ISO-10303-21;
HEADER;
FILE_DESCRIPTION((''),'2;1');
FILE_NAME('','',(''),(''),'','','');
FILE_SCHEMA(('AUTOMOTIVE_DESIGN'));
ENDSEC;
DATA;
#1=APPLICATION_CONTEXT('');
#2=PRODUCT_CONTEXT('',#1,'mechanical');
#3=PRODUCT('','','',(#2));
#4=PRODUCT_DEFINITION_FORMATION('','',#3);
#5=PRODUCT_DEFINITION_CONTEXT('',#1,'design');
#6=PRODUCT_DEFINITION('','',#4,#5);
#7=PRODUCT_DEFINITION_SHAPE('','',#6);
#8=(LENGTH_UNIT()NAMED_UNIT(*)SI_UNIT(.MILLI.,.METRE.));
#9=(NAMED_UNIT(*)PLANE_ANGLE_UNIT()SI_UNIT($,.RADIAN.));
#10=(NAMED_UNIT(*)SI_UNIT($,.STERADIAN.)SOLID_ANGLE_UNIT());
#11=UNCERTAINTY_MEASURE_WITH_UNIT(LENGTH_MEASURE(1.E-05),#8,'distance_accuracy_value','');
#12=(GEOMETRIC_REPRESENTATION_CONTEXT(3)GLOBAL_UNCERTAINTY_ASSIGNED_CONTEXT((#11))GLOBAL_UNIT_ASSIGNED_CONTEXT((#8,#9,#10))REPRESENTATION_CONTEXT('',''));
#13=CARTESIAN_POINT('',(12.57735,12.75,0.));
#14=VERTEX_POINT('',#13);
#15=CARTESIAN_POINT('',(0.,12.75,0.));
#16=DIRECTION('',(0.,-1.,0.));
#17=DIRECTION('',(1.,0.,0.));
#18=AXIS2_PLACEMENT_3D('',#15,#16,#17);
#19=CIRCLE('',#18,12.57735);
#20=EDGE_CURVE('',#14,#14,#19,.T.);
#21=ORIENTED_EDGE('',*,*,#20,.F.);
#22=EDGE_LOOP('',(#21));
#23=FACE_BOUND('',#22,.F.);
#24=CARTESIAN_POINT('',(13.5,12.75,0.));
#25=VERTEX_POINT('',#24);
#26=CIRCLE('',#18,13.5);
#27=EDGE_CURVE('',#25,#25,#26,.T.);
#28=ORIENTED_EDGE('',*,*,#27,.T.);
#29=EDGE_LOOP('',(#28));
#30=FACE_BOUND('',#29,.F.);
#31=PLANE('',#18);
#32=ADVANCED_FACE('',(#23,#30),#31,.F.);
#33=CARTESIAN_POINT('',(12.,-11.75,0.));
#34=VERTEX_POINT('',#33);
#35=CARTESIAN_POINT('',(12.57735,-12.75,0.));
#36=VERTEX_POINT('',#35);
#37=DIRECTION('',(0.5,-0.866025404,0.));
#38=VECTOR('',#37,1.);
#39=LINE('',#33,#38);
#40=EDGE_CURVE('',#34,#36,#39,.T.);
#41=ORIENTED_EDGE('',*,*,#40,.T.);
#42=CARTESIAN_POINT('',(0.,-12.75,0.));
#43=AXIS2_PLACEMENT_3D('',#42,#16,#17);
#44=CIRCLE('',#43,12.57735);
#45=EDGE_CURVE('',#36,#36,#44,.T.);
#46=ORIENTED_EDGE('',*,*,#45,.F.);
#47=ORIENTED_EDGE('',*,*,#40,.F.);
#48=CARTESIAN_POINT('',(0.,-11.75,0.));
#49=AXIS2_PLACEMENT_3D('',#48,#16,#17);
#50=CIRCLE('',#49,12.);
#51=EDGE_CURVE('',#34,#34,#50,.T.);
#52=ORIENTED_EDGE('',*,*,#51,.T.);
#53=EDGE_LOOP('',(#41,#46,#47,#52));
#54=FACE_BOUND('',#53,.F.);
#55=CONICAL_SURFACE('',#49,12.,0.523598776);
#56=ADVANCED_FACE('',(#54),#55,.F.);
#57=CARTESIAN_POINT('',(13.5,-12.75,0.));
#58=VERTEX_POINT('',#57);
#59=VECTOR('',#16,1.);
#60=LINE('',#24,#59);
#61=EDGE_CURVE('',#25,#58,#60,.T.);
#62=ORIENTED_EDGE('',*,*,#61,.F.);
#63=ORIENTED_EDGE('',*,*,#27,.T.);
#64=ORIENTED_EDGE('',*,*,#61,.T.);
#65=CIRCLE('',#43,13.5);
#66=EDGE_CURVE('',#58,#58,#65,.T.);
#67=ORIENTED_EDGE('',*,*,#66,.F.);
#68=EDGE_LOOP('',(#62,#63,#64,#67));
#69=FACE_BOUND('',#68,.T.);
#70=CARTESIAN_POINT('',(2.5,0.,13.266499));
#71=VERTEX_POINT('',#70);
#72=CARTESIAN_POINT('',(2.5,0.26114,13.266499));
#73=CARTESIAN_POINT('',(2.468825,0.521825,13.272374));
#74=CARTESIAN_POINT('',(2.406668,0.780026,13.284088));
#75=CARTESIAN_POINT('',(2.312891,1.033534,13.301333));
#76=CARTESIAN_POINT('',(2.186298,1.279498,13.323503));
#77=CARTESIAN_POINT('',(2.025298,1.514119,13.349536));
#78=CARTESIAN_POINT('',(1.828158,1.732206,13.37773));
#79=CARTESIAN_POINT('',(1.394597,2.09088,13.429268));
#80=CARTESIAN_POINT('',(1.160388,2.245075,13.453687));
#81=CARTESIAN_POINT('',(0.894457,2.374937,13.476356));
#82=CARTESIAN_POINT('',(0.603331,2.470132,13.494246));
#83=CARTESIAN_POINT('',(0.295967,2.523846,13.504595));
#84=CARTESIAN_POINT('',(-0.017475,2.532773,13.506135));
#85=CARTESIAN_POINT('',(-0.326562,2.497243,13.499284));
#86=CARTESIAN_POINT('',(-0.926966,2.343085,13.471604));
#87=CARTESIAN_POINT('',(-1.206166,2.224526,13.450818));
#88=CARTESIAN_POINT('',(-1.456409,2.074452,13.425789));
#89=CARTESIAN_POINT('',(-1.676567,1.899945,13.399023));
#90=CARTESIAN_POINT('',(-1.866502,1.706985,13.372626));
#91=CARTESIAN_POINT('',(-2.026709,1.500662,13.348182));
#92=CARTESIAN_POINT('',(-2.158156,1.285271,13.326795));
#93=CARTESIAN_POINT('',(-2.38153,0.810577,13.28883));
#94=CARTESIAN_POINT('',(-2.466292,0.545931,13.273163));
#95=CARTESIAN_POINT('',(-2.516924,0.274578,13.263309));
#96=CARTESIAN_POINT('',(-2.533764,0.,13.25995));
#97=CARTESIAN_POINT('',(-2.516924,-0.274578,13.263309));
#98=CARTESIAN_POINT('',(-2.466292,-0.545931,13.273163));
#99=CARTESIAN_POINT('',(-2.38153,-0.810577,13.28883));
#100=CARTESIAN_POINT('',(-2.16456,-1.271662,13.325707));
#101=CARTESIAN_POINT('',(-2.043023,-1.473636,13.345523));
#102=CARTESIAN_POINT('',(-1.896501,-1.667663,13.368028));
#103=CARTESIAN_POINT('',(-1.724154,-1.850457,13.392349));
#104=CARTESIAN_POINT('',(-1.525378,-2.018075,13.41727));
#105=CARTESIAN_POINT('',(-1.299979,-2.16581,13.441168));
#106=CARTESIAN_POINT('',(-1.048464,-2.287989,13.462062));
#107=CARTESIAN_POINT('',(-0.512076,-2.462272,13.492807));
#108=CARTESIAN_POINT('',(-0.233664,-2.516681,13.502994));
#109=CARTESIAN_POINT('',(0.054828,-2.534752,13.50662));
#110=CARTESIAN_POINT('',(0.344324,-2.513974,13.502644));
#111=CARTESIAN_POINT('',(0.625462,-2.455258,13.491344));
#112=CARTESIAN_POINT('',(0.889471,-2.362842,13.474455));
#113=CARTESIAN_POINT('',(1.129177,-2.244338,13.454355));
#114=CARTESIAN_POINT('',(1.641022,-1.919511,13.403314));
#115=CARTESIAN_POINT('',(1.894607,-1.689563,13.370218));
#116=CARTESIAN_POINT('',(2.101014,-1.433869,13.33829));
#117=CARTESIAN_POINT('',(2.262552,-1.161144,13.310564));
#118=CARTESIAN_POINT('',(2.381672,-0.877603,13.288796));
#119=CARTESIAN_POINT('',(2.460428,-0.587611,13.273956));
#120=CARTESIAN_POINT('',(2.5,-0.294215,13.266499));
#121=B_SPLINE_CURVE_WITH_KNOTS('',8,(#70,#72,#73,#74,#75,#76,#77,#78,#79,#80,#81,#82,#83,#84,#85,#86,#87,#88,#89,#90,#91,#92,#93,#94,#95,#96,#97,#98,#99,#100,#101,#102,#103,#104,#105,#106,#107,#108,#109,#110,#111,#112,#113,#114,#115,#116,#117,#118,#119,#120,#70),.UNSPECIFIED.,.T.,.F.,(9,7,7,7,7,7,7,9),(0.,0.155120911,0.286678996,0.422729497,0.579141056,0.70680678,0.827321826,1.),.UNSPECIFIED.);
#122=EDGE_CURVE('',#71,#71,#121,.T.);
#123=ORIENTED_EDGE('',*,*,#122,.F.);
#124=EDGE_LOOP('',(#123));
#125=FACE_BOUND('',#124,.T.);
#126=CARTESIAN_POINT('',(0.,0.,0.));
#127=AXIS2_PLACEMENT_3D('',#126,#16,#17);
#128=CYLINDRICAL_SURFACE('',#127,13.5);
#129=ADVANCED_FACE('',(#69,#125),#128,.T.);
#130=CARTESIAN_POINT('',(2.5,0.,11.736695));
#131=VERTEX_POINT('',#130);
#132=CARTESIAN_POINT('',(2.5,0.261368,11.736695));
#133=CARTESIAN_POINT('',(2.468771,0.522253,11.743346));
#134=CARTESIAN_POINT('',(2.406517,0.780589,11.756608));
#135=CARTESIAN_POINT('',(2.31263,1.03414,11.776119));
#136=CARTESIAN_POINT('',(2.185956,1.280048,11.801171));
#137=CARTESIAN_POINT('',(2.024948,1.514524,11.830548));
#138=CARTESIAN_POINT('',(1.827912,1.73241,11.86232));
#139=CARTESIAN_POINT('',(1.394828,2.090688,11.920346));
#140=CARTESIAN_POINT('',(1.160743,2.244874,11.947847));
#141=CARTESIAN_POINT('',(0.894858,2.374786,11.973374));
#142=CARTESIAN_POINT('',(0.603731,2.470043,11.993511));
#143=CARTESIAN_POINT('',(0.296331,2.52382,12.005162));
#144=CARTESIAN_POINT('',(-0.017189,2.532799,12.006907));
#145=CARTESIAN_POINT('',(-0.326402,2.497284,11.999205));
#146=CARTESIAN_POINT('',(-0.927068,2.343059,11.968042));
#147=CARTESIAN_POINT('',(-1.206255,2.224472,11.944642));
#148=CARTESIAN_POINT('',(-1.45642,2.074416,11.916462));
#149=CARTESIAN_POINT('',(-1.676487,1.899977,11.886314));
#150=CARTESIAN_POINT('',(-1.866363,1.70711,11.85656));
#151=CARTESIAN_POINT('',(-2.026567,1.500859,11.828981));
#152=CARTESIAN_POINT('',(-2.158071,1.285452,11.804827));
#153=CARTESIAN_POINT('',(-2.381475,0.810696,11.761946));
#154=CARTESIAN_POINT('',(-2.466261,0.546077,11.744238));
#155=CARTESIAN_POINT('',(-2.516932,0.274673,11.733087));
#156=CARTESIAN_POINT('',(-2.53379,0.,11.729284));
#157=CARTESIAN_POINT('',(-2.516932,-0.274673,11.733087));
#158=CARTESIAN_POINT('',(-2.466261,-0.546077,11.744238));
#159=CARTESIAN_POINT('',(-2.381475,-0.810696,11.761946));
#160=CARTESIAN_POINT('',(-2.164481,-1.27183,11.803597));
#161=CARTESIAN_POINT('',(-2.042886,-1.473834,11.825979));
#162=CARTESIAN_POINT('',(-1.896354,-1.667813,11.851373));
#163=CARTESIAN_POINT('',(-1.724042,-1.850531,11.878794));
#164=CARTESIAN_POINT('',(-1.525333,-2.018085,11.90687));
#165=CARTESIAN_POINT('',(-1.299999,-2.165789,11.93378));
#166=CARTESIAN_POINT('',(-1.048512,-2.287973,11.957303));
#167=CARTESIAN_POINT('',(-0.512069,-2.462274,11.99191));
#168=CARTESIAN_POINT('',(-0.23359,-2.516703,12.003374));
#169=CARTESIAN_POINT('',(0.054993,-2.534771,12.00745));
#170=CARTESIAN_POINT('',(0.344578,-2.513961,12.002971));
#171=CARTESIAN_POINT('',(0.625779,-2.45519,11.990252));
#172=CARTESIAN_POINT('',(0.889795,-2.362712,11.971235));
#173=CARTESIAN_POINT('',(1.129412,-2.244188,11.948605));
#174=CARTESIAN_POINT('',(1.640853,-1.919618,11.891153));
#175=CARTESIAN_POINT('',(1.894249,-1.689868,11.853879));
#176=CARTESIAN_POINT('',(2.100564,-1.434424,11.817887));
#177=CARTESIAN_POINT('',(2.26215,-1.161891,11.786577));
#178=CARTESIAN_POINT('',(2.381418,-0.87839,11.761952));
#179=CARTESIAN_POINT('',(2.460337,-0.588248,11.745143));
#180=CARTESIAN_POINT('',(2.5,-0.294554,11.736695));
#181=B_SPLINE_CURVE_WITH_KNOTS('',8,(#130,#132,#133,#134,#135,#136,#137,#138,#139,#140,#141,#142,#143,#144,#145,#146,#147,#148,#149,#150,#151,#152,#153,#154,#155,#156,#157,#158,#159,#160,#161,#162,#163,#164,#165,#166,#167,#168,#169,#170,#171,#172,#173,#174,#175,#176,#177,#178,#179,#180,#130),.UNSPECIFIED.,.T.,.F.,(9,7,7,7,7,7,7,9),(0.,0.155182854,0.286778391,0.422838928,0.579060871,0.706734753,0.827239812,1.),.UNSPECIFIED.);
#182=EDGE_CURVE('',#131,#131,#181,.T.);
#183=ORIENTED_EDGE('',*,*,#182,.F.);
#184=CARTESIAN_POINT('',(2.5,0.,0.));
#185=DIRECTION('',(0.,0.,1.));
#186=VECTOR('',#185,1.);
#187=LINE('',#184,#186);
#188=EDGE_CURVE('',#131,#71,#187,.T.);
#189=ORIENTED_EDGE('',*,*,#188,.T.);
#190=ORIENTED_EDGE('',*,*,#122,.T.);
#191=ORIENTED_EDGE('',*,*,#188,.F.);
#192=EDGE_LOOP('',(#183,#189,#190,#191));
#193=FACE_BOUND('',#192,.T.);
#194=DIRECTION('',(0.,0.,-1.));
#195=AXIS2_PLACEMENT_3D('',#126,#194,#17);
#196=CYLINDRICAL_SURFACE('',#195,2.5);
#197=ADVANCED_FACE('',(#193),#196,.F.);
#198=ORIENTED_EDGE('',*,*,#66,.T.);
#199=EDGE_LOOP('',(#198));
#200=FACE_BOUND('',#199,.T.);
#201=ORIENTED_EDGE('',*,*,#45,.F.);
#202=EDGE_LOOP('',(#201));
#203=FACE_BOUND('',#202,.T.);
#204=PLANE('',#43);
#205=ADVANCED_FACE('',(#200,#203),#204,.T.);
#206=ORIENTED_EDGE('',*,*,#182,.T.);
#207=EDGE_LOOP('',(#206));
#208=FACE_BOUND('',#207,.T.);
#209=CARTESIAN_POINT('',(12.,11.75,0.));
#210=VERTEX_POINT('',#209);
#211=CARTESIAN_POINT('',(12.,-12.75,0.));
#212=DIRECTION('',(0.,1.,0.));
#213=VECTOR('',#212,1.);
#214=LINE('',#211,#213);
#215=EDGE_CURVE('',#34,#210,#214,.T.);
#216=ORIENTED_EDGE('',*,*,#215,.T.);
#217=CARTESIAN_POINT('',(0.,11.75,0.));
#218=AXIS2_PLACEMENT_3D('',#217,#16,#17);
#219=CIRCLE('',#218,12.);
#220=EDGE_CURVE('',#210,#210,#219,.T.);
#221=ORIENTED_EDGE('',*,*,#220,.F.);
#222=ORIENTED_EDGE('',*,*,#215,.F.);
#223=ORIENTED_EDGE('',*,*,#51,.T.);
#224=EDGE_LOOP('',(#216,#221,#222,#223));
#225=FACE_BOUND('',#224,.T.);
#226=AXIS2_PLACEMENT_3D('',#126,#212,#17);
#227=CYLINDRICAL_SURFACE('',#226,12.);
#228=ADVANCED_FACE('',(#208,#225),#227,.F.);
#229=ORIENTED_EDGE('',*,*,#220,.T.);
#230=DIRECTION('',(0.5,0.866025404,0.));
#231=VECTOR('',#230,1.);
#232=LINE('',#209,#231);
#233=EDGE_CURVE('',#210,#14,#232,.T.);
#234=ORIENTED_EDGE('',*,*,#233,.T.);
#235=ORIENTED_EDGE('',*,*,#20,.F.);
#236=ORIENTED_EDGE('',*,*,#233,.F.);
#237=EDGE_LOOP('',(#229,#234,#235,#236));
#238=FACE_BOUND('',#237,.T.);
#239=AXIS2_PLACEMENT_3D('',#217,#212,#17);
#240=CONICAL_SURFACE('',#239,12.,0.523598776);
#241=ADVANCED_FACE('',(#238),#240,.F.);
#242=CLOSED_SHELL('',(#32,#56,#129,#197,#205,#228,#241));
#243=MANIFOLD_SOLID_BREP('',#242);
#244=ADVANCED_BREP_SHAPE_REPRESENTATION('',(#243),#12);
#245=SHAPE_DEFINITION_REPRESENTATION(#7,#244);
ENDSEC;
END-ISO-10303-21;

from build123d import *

# Parameters (mm, degrees)
F0_R     = 13.5
F0_R_2   = 12
F1_DEPTH = 12.75
F2_SIZE2 = 0.5773502692
F2_SIZE  = 1
F3_R     = 2.5
F4_DEPTH = 13.501


with BuildPart() as f1:
    # F0 (on Front) → F1 (new body, symmetric)
    with BuildSketch(Plane.XZ):
        Circle(F0_R)
        Circle(F0_R_2, mode=Mode.SUBTRACT)
    extrude(amount=F1_DEPTH, both=True)

    # F2
    f2_edges = [f1.edges().sort_by_distance(p)[0] for p in [
        (-12, -12.75, 0),
        (-12, 12.75, 0),
    ]]
    f2_side = f1.faces().sort_by_distance((-12, 0, 0))[0]
    chamfer(f2_edges, length=F2_SIZE, length2=F2_SIZE2, reference=f2_side)

    # F3 (on Top) → F4 (cut, through all)
    with BuildSketch(Plane.XY):
        Circle(F3_R)
    extrude(amount=F4_DEPTH, mode=Mode.SUBTRACT)


solid = f1.part
